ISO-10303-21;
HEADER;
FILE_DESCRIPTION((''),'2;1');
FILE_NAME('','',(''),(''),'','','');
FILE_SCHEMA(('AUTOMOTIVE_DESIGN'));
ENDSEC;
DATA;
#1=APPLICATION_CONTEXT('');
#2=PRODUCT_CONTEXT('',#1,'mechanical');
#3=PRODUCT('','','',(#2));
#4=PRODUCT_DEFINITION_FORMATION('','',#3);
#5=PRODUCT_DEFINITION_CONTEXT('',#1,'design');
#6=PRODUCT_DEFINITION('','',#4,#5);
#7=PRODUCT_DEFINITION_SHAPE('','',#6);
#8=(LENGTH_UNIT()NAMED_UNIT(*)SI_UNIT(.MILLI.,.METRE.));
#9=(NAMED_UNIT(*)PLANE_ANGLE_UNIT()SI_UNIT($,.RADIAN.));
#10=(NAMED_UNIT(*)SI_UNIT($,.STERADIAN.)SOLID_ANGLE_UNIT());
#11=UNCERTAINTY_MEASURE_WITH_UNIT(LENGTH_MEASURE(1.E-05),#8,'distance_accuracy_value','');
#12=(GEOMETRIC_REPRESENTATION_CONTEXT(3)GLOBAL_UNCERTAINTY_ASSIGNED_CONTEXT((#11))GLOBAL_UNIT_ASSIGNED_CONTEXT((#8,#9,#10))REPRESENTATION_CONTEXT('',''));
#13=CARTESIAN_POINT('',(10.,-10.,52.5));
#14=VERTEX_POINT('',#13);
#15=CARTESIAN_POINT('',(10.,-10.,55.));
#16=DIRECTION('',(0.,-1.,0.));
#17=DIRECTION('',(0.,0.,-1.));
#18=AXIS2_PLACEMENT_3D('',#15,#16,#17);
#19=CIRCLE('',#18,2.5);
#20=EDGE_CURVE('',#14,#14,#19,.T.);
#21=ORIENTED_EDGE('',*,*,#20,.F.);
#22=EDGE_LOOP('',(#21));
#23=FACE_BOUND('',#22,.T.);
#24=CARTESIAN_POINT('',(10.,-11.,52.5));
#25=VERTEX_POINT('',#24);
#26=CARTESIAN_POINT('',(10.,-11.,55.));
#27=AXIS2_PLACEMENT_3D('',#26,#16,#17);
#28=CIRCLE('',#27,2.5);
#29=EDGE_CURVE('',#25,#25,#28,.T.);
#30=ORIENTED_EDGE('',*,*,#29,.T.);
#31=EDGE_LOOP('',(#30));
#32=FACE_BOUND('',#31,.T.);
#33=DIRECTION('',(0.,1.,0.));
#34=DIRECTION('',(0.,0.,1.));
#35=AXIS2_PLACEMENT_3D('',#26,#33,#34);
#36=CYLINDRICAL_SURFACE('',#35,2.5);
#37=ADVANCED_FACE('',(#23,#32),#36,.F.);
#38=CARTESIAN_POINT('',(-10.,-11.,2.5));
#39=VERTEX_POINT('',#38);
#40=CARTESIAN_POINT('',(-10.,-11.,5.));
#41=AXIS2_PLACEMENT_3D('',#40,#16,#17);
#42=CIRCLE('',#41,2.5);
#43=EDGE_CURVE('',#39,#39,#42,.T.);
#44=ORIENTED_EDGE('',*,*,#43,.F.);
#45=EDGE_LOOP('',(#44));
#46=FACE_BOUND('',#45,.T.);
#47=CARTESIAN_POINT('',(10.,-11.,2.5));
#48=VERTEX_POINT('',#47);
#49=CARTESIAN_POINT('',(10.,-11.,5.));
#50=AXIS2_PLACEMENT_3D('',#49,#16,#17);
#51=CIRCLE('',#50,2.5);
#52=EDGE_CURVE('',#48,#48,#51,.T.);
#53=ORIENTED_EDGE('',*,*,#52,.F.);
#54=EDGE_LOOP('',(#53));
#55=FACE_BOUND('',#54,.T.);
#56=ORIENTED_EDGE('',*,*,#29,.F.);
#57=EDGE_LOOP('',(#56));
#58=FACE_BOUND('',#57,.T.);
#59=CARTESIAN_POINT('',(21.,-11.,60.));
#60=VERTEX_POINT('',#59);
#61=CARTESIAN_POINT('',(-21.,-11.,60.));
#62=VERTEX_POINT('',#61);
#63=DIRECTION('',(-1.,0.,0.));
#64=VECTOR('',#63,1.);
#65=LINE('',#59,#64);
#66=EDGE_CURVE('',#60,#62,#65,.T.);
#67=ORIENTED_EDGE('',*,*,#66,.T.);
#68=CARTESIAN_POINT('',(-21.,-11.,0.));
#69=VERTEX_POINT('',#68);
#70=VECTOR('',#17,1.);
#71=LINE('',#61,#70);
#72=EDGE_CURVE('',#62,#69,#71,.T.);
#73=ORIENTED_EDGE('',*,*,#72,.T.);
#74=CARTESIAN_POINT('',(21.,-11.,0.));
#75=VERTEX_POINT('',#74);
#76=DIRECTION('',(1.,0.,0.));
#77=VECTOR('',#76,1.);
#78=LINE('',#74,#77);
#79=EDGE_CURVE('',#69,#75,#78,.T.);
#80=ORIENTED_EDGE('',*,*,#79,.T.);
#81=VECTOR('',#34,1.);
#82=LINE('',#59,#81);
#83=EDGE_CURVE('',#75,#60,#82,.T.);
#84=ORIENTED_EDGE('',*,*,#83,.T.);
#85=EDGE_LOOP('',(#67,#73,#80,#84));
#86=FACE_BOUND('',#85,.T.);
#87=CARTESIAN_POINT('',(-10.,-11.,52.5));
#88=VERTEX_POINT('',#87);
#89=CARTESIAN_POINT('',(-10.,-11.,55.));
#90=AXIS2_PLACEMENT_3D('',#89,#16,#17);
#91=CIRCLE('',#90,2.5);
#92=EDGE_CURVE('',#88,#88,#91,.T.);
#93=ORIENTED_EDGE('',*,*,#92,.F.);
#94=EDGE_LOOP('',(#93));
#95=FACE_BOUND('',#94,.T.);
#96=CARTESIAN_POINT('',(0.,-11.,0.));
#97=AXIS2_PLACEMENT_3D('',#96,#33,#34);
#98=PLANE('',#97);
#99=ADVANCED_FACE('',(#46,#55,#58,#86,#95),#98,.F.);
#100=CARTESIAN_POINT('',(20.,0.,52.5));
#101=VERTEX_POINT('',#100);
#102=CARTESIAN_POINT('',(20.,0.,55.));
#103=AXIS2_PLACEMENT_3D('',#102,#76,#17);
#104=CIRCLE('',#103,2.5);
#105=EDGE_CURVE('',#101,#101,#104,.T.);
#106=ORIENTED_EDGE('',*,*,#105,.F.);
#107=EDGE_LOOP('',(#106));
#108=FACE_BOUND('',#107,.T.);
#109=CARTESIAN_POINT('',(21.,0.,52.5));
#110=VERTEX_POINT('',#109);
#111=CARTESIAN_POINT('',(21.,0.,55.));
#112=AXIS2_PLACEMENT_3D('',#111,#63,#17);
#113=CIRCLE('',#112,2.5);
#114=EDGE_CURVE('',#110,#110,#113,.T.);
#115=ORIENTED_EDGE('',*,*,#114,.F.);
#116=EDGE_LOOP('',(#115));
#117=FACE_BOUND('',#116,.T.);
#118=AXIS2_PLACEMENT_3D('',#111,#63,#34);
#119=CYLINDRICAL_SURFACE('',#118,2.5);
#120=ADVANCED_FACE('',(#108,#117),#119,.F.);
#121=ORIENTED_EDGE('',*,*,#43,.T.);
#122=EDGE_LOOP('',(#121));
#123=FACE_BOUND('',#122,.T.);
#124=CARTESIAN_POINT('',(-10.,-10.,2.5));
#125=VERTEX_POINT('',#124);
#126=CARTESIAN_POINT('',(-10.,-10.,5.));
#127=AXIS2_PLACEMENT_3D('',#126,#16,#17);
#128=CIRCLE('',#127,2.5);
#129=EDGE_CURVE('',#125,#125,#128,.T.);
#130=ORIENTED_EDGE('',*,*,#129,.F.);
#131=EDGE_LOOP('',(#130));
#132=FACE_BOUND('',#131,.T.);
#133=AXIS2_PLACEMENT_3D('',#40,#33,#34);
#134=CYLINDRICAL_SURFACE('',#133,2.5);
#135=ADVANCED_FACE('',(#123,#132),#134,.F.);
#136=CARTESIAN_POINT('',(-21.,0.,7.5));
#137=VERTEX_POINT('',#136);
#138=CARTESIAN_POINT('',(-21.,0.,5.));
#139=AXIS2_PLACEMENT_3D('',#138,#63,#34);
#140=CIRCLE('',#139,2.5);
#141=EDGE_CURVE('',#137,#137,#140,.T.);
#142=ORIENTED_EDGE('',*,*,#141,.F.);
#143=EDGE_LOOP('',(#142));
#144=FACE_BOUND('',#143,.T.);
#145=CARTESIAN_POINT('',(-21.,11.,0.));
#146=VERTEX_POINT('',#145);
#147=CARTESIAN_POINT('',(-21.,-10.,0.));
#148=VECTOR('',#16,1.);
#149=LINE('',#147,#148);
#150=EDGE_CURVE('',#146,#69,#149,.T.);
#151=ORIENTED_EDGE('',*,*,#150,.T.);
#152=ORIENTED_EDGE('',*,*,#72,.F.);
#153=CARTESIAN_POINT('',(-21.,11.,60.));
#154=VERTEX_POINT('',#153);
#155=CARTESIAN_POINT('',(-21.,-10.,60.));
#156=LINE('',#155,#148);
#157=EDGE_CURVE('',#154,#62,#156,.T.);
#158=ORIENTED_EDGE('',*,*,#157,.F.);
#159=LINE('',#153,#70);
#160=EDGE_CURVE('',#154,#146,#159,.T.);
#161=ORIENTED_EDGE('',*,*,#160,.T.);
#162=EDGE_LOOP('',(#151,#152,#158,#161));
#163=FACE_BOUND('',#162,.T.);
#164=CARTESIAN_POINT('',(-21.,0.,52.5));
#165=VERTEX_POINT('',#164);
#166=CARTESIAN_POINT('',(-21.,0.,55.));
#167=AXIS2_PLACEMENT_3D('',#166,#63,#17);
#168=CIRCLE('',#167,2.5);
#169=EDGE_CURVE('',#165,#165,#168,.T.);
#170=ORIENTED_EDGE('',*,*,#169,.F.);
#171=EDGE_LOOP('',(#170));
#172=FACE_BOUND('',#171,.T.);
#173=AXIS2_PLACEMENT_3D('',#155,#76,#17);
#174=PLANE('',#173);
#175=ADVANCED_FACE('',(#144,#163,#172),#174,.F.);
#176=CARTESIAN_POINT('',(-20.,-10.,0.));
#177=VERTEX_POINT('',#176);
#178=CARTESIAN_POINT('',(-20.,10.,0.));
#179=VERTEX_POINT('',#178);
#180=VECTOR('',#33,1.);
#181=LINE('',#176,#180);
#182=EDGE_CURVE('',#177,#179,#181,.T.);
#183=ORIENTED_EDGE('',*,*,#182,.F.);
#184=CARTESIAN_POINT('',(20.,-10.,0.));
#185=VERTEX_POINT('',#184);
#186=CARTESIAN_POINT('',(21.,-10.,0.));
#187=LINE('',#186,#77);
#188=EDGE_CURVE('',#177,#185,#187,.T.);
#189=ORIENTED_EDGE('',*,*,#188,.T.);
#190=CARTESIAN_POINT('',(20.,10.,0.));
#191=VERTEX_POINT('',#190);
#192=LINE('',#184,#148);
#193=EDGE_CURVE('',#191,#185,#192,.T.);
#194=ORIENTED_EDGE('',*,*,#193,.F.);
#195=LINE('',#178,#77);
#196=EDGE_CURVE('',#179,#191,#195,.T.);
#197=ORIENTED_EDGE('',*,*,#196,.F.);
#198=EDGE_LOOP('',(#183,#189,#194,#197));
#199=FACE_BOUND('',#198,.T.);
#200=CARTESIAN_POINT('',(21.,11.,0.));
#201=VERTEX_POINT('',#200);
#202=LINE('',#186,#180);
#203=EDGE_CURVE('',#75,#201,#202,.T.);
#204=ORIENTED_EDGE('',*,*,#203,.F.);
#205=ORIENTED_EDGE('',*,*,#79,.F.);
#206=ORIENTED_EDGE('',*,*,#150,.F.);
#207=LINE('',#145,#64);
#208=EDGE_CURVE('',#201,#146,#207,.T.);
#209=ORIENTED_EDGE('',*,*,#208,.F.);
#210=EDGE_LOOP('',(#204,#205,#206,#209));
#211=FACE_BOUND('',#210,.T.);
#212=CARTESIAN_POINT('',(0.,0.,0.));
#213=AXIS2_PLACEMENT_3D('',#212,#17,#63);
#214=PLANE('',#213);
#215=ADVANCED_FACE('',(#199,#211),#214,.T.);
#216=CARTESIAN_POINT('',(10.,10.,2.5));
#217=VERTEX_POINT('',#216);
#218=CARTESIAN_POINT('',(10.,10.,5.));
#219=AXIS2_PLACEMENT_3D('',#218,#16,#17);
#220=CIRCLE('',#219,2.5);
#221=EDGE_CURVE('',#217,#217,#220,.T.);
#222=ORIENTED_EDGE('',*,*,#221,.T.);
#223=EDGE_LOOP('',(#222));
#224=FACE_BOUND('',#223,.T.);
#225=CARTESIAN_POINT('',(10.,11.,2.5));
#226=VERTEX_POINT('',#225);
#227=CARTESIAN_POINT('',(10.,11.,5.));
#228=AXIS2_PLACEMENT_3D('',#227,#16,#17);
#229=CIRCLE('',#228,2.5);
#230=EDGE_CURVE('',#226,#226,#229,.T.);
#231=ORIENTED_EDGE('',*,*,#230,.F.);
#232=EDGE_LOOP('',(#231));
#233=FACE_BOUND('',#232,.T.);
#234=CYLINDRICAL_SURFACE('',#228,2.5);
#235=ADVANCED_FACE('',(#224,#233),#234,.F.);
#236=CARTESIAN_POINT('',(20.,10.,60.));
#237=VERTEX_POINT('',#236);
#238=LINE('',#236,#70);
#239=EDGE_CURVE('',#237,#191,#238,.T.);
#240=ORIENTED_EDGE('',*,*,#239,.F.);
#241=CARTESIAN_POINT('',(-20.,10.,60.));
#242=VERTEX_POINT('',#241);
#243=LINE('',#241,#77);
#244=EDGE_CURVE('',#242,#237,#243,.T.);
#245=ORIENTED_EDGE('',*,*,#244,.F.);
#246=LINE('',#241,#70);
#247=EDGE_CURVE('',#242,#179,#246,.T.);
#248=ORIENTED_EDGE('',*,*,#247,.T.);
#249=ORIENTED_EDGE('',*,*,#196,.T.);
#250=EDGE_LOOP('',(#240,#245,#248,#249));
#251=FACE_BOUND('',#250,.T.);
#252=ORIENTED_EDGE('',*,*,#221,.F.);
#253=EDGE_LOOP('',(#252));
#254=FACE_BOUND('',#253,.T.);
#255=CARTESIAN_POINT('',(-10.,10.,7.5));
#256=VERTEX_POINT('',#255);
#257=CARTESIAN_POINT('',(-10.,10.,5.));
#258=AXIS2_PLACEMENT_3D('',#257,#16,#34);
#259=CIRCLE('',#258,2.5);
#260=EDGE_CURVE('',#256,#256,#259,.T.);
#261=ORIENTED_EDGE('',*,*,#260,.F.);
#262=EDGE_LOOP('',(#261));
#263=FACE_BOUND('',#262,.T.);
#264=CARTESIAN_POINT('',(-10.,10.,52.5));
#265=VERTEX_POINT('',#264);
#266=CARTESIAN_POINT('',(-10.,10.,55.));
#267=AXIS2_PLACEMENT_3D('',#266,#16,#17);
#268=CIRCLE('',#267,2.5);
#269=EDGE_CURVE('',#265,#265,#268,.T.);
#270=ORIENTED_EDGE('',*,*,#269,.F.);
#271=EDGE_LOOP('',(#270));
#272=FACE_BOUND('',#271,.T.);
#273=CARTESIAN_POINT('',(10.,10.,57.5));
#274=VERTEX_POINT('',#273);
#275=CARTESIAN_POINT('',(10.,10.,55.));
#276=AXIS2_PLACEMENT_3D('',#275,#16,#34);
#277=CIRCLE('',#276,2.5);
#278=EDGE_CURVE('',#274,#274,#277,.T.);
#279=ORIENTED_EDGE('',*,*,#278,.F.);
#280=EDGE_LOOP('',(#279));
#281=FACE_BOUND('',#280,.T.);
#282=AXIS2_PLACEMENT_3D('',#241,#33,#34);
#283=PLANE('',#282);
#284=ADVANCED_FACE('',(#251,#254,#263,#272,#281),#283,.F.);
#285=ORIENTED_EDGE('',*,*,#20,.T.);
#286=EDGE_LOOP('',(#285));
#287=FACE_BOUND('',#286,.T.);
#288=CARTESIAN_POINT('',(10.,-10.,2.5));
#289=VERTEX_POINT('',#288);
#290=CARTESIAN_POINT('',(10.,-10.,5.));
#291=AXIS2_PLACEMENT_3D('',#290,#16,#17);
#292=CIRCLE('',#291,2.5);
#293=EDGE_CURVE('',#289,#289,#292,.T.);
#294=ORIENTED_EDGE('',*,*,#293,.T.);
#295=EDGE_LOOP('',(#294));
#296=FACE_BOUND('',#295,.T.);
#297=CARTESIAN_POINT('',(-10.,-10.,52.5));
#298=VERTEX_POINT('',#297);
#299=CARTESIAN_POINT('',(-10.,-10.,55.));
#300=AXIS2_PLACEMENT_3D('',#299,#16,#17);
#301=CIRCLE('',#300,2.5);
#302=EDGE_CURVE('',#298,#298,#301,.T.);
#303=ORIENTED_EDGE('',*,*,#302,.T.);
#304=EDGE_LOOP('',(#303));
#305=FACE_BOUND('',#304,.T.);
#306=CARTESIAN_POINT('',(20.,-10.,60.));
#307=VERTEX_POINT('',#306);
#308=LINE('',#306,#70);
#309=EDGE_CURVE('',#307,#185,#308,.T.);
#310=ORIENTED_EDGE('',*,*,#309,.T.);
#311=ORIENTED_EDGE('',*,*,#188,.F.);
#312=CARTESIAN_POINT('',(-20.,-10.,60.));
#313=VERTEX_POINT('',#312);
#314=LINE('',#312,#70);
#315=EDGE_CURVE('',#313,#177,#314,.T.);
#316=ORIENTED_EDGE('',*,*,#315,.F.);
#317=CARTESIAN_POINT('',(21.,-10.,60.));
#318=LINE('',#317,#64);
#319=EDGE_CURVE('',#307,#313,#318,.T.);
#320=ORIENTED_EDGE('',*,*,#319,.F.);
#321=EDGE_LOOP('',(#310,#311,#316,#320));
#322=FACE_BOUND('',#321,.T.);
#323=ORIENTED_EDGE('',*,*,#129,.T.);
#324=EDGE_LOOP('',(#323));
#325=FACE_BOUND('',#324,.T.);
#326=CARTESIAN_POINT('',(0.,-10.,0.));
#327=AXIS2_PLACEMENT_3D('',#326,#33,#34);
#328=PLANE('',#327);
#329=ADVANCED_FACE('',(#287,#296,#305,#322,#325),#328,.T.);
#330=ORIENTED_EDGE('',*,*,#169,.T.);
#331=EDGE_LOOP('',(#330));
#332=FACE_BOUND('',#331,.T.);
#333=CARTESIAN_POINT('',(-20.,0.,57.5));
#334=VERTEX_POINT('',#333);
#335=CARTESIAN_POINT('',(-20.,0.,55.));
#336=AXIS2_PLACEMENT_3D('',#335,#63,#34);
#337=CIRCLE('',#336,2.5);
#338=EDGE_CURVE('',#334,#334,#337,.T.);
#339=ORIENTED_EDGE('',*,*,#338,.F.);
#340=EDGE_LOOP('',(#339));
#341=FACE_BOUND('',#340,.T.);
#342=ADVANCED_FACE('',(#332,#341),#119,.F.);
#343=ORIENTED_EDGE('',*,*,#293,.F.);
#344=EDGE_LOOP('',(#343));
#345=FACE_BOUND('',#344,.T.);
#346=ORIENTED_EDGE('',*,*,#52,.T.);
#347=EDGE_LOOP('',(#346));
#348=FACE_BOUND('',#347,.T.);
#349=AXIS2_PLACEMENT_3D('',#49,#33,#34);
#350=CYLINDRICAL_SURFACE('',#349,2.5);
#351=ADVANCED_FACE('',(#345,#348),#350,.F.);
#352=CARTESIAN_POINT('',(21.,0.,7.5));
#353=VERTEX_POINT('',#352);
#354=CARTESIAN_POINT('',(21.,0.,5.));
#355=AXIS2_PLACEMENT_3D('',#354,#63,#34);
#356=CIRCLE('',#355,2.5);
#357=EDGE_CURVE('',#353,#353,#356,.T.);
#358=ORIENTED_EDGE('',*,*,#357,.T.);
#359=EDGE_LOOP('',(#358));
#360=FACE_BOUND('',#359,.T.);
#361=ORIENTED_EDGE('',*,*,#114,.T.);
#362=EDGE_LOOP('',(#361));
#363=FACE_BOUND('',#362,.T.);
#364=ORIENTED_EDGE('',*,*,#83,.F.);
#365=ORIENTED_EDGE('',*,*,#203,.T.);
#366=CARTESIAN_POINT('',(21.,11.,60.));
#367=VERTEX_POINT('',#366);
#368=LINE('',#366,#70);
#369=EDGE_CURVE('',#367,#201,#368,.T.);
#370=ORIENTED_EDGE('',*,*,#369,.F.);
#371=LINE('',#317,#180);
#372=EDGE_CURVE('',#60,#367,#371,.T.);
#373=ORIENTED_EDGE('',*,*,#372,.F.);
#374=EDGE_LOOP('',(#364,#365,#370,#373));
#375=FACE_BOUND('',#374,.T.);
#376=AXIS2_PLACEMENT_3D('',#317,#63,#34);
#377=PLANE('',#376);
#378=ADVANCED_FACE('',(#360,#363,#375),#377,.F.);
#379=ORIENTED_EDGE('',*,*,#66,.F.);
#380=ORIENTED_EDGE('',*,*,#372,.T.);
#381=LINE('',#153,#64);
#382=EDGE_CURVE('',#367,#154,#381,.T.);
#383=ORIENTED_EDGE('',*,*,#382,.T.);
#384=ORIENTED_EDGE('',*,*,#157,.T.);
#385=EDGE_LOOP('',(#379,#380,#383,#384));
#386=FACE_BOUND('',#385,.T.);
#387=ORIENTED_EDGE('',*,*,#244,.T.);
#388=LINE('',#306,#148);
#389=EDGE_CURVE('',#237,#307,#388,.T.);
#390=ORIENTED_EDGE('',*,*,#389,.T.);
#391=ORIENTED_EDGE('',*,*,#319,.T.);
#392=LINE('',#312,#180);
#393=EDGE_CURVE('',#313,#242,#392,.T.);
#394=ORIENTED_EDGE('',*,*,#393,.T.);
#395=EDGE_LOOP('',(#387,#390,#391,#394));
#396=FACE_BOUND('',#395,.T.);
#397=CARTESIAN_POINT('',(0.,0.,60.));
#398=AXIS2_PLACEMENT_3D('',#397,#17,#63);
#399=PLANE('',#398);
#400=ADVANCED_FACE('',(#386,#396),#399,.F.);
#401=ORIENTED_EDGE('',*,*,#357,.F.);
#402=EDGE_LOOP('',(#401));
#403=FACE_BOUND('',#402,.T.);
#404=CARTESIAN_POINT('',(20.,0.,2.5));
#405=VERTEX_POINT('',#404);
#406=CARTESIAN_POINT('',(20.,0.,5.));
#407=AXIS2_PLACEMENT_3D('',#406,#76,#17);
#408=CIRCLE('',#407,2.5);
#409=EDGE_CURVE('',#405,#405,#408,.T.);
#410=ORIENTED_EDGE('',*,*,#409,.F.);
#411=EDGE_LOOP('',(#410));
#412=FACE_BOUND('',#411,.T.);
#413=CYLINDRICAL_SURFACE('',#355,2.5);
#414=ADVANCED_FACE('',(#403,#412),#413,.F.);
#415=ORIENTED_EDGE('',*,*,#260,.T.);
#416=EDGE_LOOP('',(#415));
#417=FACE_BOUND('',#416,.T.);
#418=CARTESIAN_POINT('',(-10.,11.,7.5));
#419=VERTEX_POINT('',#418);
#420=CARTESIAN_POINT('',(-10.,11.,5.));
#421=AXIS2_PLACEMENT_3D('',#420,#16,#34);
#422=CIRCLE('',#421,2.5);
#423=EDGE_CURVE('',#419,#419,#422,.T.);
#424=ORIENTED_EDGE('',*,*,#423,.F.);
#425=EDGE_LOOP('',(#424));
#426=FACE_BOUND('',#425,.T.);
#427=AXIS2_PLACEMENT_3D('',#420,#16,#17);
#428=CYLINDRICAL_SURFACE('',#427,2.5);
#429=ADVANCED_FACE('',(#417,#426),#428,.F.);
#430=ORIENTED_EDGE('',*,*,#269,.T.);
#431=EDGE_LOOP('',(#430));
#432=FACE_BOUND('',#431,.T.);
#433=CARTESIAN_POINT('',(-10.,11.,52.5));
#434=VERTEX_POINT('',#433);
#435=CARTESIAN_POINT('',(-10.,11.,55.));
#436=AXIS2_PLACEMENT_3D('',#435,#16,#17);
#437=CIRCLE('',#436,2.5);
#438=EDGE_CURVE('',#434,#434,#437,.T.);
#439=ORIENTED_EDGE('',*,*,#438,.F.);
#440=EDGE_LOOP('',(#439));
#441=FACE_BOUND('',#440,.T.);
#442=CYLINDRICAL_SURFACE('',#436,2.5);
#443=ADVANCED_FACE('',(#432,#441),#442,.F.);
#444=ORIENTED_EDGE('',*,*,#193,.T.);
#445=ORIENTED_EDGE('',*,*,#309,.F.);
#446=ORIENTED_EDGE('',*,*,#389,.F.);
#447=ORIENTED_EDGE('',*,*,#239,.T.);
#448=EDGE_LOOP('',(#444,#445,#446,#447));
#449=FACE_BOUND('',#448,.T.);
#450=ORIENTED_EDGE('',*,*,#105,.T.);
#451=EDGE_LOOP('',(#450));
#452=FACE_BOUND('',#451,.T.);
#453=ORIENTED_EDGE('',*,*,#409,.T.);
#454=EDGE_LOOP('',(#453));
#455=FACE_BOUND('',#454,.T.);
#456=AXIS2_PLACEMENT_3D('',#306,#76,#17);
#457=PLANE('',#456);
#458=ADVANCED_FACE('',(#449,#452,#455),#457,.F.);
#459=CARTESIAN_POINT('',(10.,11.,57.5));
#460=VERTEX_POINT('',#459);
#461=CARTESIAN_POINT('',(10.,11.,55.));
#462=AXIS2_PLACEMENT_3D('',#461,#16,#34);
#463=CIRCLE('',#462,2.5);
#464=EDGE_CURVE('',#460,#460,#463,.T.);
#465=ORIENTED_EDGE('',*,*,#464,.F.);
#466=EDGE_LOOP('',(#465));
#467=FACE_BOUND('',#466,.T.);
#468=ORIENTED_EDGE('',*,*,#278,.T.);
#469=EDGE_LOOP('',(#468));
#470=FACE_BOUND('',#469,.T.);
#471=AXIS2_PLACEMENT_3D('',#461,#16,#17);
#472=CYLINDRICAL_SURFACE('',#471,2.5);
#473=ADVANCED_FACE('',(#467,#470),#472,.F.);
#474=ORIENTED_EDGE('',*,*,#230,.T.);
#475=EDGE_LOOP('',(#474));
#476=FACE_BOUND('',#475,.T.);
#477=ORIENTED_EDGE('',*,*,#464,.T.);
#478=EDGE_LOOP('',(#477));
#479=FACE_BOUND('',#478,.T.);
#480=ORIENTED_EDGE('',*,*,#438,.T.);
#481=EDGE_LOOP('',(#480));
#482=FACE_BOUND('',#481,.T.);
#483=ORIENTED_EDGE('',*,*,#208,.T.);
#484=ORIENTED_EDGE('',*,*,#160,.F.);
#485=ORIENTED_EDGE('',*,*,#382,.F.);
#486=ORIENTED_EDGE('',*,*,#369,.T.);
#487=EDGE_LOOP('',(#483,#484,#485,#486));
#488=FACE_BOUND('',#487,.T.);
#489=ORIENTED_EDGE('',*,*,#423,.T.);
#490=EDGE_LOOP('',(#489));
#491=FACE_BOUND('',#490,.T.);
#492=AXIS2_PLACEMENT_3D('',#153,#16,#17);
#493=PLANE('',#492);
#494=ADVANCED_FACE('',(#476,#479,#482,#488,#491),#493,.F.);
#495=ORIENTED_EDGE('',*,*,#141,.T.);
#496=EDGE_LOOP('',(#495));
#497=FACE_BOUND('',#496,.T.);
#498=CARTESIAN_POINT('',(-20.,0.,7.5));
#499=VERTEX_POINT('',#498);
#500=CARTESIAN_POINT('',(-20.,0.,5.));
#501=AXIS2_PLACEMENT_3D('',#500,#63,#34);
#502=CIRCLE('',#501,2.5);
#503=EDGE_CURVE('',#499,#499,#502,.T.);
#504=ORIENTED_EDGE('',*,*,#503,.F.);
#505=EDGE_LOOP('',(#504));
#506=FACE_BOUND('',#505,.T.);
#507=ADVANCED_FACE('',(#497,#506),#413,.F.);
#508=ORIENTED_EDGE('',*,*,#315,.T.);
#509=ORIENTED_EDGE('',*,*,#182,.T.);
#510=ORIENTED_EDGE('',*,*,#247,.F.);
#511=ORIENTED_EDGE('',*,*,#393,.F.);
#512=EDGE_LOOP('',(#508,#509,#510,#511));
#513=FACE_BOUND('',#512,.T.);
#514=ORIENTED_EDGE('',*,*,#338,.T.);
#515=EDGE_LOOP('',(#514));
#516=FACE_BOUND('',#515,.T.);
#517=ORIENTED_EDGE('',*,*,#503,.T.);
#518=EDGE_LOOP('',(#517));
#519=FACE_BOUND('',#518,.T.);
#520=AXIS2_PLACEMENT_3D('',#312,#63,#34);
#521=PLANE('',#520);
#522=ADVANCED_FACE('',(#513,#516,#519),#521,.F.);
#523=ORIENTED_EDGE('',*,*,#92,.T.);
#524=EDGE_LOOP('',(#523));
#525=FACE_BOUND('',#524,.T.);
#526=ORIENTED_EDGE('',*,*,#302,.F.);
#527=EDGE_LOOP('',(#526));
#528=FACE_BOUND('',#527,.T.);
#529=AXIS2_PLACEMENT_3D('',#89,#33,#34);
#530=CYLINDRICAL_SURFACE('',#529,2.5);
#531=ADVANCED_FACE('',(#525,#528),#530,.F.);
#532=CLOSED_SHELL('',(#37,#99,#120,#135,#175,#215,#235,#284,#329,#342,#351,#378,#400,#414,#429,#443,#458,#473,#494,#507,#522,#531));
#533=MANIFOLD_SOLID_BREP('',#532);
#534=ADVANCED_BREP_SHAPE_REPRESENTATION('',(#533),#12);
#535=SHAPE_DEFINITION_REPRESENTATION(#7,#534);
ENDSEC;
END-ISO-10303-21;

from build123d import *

# Parameters (mm, degrees)
BOSS_EXTRUDE1_DEPTH     = 60
SKETCH2_R               = 2.5
CUT_EXTRUDE1_DEPTH      = 2
SKETCH3_R               = 2.5
CUT_EXTRUDE2_DEPTH      = 42
CUT_EXTRUDE2_DEPTH_BACK = 2
SKETCH4_W               = 42
SKETCH4_H               = 60
SKETCH4_R               = 2.5
BOSS_EXTRUDE2_DEPTH     = 1


with BuildPart() as part:
    # Sketch1 → Boss-Extrude1 (new body)
    with BuildSketch(Plane.XY):
        Polygon((-20, -10), (-20, 10), (20, 10), (20, -10), (21, -10), (21, 11), (-21, 11), (-21, -10), align=None)
    extrude(amount=BOSS_EXTRUDE1_DEPTH)

    # Sketch2 → Cut-Extrude1 (cut, through all)
    with BuildSketch(Plane.XZ.offset(-10)):
        with Locations((-10, 5)):
            Circle(SKETCH2_R)
        with Locations((10, 5)):
            Circle(SKETCH2_R)
        with Locations((10, 55)):
            Circle(SKETCH2_R)
        with Locations((-10, 55)):
            Circle(SKETCH2_R)
    extrude(amount=-CUT_EXTRUDE1_DEPTH, mode=Mode.SUBTRACT)

    # Sketch3 → Cut-Extrude2 (cut, two sides)
    with BuildSketch(Plane.ZY.offset(-20)) as cut_extrude2_sk:
        with Locations((5, 0)):
            Circle(SKETCH3_R)
        with Locations((55, 0)):
            Circle(SKETCH3_R)
    extrude(amount=CUT_EXTRUDE2_DEPTH, mode=Mode.SUBTRACT)
    extrude(cut_extrude2_sk.sketch, amount=-CUT_EXTRUDE2_DEPTH_BACK, mode=Mode.SUBTRACT)

    # Sketch4 → Boss-Extrude2 (add)
    with BuildSketch(Plane.XZ.offset(10)):
        with Locations((0, 30)):
            Rectangle(SKETCH4_W, SKETCH4_H)
        with Locations((-10, 5)):
            Circle(SKETCH4_R, mode=Mode.SUBTRACT)
        with Locations((-10, 55)):
            Circle(SKETCH4_R, mode=Mode.SUBTRACT)
        with Locations((10, 55)):
            Circle(SKETCH4_R, mode=Mode.SUBTRACT)
        with Locations((10, 5)):
            Circle(SKETCH4_R, mode=Mode.SUBTRACT)
    extrude(amount=BOSS_EXTRUDE2_DEPTH)


solid = part.part
